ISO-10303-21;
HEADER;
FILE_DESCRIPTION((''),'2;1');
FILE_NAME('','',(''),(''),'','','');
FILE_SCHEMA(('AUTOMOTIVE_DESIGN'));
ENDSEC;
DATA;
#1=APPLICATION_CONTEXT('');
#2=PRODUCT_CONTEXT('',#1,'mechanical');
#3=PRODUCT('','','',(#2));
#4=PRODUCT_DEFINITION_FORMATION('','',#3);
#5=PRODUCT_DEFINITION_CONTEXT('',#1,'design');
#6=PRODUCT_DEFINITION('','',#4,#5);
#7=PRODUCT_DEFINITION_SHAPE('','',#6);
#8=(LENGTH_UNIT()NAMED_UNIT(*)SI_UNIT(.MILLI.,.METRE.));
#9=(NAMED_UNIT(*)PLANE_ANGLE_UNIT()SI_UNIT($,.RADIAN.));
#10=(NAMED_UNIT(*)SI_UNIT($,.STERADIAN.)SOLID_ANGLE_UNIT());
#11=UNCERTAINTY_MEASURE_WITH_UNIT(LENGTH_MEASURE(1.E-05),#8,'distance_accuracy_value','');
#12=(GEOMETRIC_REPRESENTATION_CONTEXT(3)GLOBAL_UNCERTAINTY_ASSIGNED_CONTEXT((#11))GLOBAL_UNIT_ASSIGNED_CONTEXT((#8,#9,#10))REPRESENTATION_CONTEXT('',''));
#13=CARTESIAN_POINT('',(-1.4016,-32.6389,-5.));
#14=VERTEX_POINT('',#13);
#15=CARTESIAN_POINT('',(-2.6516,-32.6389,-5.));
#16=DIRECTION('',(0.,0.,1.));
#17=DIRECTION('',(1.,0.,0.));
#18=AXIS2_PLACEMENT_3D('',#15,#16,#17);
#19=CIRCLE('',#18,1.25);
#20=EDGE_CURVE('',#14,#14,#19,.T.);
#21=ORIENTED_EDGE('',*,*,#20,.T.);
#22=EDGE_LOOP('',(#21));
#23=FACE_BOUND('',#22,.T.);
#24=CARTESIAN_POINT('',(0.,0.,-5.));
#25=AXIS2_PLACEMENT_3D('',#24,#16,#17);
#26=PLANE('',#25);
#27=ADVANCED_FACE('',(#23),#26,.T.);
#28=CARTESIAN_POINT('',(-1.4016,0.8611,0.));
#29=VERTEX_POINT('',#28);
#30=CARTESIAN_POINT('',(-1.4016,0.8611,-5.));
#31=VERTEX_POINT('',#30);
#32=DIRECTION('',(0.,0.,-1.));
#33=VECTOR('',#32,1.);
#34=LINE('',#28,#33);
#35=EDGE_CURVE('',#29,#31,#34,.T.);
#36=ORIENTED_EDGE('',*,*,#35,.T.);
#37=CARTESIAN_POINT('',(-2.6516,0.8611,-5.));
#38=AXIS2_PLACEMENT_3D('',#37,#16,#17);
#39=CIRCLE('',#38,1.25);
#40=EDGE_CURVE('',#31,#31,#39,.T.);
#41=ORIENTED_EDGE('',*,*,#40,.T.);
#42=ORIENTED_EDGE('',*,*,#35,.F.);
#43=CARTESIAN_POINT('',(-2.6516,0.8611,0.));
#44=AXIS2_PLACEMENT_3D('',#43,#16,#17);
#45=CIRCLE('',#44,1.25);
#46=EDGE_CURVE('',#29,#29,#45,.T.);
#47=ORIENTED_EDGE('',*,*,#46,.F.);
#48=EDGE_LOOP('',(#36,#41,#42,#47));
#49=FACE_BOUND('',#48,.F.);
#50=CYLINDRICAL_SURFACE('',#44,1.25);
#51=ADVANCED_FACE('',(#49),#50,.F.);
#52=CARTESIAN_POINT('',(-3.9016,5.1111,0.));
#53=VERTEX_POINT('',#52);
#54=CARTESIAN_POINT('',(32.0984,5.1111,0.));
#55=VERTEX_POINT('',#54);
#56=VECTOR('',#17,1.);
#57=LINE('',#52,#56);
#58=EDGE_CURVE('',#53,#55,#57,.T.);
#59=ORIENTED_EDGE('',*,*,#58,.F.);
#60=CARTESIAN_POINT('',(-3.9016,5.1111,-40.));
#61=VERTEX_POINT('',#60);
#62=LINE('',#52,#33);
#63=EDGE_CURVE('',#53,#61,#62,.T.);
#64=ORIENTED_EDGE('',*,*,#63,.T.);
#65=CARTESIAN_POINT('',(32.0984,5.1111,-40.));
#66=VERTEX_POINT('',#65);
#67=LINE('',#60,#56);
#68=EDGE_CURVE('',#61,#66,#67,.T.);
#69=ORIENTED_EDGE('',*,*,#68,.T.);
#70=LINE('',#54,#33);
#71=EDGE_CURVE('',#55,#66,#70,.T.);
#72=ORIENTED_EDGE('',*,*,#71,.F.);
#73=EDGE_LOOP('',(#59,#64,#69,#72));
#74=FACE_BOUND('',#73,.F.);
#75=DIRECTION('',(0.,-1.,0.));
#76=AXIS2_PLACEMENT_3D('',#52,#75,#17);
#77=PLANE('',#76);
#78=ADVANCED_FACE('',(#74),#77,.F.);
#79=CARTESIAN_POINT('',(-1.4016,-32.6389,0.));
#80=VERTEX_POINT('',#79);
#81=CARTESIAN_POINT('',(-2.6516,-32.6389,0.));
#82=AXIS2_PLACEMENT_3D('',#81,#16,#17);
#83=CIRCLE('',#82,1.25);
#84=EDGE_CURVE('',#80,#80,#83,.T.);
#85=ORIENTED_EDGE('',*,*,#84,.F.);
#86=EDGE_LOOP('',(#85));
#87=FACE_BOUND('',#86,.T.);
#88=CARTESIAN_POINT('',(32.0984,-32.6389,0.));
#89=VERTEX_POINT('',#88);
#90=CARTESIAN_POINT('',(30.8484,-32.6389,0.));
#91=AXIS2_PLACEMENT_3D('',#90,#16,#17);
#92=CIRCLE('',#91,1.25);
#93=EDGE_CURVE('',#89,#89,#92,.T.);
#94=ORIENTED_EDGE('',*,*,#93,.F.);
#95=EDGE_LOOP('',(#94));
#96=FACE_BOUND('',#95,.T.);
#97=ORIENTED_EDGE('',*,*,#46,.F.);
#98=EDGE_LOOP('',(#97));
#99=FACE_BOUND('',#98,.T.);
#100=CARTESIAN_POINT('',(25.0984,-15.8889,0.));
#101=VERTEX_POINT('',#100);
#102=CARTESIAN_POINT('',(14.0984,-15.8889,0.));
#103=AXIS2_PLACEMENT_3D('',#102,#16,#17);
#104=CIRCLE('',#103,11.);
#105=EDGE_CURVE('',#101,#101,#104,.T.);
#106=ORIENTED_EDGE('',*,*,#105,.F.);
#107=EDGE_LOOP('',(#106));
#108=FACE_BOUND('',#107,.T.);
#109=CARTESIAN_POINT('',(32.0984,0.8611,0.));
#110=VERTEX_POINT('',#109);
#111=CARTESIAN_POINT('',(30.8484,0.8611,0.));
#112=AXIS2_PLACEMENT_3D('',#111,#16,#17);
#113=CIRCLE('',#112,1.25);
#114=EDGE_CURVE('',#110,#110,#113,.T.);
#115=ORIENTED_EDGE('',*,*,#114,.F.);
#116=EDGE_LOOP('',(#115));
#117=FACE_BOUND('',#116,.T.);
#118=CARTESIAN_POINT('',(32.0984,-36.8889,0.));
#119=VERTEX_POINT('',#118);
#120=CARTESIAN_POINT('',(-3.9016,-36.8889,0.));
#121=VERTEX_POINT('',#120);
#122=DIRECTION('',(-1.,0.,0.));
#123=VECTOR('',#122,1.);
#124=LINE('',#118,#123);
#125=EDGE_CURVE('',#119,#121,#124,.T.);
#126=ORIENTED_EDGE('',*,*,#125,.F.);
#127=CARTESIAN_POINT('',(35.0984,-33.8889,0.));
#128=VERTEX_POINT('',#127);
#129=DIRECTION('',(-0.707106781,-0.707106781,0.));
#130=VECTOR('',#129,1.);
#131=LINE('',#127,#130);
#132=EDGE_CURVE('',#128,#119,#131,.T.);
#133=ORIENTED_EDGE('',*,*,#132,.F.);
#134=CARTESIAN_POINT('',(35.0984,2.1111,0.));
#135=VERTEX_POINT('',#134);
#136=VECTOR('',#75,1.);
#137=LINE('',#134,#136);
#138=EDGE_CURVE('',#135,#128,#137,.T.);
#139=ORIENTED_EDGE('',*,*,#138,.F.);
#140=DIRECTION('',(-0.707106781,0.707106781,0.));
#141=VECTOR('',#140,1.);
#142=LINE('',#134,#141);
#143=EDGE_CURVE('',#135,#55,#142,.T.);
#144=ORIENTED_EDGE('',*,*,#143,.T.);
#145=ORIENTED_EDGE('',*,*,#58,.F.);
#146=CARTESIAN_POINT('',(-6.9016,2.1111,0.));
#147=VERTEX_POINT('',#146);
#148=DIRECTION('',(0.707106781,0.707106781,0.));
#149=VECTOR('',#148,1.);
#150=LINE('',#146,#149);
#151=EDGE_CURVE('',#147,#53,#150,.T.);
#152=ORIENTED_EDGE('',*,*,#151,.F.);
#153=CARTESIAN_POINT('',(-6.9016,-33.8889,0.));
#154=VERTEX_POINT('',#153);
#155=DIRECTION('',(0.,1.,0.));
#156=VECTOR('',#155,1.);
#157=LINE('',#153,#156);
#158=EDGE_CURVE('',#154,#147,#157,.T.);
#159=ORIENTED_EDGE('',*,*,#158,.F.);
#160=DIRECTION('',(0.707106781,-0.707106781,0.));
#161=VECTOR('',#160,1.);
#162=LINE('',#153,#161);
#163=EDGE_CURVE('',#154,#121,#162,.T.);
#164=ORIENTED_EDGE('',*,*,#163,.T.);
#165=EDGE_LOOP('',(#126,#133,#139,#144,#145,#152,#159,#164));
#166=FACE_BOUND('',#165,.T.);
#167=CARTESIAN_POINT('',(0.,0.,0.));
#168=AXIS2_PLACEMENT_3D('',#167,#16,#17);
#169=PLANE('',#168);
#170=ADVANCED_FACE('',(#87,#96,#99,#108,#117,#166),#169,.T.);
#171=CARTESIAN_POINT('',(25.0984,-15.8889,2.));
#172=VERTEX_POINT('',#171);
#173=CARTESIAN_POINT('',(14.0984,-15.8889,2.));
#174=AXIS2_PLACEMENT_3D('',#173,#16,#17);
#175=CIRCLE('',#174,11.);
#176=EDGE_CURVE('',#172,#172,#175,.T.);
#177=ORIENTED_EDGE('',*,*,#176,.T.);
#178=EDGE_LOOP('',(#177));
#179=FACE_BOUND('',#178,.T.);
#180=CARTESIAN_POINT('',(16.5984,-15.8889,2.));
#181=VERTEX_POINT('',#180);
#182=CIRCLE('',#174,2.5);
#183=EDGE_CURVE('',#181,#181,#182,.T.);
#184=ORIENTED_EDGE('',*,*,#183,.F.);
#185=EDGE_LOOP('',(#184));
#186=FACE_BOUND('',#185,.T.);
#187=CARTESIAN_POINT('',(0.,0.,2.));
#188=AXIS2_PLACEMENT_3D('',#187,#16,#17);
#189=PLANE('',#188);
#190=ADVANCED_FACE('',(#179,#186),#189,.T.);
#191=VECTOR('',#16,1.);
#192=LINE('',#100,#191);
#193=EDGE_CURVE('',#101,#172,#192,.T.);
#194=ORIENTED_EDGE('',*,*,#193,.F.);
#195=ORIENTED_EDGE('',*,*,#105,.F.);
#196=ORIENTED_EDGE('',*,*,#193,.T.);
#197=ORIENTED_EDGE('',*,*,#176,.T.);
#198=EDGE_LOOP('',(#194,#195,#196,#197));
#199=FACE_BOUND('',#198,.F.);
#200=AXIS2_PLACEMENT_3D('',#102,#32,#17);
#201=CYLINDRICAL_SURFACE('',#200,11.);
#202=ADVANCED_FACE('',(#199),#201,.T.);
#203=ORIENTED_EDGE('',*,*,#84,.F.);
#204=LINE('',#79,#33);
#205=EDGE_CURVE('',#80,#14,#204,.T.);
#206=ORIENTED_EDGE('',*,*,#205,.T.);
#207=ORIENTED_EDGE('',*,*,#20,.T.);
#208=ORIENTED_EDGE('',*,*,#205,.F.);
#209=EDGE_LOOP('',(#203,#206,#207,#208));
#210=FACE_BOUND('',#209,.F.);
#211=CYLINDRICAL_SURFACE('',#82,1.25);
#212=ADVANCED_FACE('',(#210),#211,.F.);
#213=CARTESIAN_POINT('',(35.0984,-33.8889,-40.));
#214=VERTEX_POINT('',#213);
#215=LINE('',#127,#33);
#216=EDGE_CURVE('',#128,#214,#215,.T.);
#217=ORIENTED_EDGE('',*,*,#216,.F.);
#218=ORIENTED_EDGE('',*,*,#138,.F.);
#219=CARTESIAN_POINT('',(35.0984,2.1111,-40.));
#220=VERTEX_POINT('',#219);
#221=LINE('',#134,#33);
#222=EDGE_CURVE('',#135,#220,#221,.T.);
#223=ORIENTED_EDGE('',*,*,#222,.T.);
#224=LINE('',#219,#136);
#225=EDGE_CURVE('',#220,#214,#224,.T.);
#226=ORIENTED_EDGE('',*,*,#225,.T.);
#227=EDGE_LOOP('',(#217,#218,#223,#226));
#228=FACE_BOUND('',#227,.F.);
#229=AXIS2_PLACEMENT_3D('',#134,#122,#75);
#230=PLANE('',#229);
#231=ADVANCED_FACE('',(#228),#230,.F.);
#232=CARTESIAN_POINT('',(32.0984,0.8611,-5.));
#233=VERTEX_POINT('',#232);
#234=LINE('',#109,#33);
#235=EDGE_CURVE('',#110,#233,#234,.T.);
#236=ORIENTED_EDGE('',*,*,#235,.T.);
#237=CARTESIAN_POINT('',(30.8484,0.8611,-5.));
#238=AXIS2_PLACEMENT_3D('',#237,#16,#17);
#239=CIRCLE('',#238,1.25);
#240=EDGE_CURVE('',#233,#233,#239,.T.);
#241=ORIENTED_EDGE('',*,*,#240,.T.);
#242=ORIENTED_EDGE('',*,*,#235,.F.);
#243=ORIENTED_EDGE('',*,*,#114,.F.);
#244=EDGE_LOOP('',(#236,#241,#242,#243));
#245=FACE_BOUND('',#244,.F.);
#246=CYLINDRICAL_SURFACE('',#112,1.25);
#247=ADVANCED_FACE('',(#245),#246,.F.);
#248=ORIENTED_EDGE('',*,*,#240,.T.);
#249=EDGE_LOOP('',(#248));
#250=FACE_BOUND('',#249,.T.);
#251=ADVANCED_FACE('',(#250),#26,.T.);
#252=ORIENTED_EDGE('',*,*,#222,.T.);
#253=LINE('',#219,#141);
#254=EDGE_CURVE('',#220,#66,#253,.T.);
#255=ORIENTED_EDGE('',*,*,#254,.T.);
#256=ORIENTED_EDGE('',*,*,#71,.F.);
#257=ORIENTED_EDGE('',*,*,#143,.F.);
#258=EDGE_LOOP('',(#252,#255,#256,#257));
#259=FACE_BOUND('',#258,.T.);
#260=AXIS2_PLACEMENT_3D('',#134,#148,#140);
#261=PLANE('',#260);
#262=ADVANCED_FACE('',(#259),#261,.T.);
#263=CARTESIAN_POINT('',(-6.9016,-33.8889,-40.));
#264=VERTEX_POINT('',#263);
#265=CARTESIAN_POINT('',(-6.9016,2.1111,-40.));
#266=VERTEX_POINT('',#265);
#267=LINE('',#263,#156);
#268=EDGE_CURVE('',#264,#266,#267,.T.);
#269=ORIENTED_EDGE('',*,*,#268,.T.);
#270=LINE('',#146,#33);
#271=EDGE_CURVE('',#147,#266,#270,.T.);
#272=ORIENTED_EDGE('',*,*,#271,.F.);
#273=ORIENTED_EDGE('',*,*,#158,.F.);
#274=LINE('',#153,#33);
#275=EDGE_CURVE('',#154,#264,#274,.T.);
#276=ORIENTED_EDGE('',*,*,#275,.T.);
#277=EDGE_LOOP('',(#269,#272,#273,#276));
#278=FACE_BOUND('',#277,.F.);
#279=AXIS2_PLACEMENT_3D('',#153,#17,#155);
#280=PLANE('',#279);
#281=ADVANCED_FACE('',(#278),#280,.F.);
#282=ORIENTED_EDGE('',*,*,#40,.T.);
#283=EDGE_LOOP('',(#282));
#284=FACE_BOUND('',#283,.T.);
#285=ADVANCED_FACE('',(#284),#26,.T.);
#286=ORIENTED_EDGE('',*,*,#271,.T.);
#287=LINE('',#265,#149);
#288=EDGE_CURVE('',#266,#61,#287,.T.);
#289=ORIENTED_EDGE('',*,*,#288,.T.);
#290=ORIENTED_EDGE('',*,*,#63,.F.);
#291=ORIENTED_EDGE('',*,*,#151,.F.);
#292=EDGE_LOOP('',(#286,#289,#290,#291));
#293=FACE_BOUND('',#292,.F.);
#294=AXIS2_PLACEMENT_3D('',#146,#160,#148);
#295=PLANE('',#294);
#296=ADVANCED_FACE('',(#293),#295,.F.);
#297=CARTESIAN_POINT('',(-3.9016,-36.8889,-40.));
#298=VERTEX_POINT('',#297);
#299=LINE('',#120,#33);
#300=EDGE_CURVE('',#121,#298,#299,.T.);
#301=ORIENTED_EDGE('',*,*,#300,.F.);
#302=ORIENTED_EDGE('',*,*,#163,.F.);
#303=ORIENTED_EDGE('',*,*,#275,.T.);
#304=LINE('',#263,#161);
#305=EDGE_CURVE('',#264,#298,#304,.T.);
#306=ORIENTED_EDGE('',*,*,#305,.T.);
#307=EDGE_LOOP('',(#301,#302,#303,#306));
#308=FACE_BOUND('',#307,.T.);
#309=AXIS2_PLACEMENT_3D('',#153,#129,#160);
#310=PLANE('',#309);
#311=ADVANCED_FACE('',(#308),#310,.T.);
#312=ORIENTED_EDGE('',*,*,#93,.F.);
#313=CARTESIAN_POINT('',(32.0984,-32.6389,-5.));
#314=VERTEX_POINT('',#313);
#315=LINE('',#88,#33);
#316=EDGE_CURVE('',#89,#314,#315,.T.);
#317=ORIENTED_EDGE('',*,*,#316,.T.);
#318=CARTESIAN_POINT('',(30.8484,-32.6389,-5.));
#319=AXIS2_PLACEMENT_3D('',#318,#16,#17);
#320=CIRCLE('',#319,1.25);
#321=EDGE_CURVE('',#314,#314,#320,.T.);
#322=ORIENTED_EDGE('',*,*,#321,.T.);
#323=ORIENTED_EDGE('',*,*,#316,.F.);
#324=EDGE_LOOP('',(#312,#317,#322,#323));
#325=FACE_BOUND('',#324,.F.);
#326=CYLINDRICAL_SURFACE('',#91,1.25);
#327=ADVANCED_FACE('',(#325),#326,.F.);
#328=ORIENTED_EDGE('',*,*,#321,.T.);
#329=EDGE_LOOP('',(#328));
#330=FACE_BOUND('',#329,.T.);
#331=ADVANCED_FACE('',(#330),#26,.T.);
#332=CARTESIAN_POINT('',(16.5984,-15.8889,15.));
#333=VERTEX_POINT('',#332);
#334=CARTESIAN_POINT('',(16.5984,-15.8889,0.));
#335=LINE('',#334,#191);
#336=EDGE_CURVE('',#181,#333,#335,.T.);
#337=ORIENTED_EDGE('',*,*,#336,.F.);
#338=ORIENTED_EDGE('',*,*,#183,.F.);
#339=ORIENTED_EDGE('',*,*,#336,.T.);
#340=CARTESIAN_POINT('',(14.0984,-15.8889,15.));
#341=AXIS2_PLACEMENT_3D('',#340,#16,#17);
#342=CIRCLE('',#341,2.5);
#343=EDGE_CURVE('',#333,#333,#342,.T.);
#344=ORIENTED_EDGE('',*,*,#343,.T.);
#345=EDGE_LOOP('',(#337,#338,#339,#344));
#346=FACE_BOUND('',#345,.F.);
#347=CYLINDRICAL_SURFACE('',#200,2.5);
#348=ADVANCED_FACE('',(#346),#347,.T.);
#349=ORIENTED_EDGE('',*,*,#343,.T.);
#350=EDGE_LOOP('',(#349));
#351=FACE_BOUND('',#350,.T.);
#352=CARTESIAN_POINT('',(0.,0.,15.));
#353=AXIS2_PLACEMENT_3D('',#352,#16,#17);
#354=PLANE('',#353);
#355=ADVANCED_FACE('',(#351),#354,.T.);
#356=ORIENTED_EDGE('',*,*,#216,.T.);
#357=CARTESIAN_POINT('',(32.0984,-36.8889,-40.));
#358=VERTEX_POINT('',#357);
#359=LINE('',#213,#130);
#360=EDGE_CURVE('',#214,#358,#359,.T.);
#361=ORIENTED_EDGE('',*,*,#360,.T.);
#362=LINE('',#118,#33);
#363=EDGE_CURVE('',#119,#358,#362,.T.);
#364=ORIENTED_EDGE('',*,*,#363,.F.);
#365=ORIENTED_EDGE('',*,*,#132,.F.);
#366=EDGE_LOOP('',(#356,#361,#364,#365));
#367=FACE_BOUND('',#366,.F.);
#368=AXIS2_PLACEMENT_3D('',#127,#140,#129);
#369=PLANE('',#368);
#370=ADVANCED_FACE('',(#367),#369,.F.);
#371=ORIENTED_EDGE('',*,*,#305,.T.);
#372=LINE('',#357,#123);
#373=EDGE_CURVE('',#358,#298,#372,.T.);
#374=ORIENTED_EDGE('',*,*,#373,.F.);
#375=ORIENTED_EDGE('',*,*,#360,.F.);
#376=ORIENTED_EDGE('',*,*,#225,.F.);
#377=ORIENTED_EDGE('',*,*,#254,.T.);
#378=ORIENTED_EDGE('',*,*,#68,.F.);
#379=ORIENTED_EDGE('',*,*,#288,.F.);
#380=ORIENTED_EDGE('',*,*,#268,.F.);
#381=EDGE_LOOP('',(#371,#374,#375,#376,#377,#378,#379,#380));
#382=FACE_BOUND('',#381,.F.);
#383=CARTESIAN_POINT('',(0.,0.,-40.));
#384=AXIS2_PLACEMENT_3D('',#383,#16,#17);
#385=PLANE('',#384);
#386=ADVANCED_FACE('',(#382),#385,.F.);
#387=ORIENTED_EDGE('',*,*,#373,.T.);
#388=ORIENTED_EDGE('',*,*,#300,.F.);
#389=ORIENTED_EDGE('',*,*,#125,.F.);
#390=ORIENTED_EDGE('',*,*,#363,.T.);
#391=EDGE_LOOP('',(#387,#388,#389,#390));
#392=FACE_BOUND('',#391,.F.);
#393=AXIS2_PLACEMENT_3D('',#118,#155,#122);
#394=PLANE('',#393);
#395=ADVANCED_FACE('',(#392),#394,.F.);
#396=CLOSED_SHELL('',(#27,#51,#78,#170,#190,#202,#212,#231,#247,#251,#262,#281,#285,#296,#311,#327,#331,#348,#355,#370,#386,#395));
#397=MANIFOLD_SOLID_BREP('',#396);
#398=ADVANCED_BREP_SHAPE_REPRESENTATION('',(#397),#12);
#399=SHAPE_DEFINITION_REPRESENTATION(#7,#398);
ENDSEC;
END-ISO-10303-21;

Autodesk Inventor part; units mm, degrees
ref_plane "YZ Plane" through (0, 0, 0) normal (1, 0, 0) x (0, 1, 0)
ref_plane "XZ Plane" through (0, 0, 0) normal (0, 1, 0) x (-1, 0, 0)
ref_plane "XY Plane" through (0, 0, 0) normal (0, 0, 1) x (1, 0, 0)
sketch "Sketch1" plane through (0, 0, 0) normal (0, 0, 1) x (1, 0, 0)
  line L0 (-3.9016, 5.1111) -> (32.0984, 5.1111)
  line L1 (35.0984, 2.1111) -> (35.0984, -33.8889)
  line L2 (32.0984, -36.8889) -> (-3.9016, -36.8889)
  line L3 (-6.9016, -33.8889) -> (-6.9016, 2.1111)
  circle A0 centre (14.0984, -15.8889) radius 11
  circle A1 centre (14.0984, -15.8889) radius 2.5
  line L4 (35.0984, 2.1111) -> (32.0984, 5.1111)
  line L5 (-6.9016, 2.1111) -> (-3.9016, 5.1111)
  line L6 (-6.9016, -33.8889) -> (-3.9016, -36.8889)
  line L7 (35.0984, -33.8889) -> (32.0984, -36.8889)
  circle A2 centre (30.8484, -32.6389) radius 1.25
  circle A3 centre (-2.6516, -32.6389) radius 1.25
  circle A4 centre (-2.6516, 0.8611) radius 1.25
  circle A5 centre (30.8484, 0.8611) radius 1.25
  point P0 (0, 0)
extrude "Extrusion1" add sketch "Sketch1" along normal blind 15 contours A1
extrude "Extrusion2" add sketch "Sketch1" along normal blind 2 contours A0
extrude "Extrusion3" add sketch "Sketch1" against normal blind 40 contours L0 L4 L1 L7 L2 L6 L3 L5 | A0 | A1 | A2 | A3 | A4 | A5
extrude "Extrusion4" cut sketch "Sketch1" against normal blind 5 contours A5
extrude "Extrusion5" cut sketch "Sketch1" against normal blind 5 contours A2
extrude "Extrusion6" cut sketch "Sketch1" against normal blind 5 contours A3
extrude "Extrusion7" cut sketch "Sketch1" against normal blind 5 contours A4
properties part number "motor" material "Iron, Malleable"
